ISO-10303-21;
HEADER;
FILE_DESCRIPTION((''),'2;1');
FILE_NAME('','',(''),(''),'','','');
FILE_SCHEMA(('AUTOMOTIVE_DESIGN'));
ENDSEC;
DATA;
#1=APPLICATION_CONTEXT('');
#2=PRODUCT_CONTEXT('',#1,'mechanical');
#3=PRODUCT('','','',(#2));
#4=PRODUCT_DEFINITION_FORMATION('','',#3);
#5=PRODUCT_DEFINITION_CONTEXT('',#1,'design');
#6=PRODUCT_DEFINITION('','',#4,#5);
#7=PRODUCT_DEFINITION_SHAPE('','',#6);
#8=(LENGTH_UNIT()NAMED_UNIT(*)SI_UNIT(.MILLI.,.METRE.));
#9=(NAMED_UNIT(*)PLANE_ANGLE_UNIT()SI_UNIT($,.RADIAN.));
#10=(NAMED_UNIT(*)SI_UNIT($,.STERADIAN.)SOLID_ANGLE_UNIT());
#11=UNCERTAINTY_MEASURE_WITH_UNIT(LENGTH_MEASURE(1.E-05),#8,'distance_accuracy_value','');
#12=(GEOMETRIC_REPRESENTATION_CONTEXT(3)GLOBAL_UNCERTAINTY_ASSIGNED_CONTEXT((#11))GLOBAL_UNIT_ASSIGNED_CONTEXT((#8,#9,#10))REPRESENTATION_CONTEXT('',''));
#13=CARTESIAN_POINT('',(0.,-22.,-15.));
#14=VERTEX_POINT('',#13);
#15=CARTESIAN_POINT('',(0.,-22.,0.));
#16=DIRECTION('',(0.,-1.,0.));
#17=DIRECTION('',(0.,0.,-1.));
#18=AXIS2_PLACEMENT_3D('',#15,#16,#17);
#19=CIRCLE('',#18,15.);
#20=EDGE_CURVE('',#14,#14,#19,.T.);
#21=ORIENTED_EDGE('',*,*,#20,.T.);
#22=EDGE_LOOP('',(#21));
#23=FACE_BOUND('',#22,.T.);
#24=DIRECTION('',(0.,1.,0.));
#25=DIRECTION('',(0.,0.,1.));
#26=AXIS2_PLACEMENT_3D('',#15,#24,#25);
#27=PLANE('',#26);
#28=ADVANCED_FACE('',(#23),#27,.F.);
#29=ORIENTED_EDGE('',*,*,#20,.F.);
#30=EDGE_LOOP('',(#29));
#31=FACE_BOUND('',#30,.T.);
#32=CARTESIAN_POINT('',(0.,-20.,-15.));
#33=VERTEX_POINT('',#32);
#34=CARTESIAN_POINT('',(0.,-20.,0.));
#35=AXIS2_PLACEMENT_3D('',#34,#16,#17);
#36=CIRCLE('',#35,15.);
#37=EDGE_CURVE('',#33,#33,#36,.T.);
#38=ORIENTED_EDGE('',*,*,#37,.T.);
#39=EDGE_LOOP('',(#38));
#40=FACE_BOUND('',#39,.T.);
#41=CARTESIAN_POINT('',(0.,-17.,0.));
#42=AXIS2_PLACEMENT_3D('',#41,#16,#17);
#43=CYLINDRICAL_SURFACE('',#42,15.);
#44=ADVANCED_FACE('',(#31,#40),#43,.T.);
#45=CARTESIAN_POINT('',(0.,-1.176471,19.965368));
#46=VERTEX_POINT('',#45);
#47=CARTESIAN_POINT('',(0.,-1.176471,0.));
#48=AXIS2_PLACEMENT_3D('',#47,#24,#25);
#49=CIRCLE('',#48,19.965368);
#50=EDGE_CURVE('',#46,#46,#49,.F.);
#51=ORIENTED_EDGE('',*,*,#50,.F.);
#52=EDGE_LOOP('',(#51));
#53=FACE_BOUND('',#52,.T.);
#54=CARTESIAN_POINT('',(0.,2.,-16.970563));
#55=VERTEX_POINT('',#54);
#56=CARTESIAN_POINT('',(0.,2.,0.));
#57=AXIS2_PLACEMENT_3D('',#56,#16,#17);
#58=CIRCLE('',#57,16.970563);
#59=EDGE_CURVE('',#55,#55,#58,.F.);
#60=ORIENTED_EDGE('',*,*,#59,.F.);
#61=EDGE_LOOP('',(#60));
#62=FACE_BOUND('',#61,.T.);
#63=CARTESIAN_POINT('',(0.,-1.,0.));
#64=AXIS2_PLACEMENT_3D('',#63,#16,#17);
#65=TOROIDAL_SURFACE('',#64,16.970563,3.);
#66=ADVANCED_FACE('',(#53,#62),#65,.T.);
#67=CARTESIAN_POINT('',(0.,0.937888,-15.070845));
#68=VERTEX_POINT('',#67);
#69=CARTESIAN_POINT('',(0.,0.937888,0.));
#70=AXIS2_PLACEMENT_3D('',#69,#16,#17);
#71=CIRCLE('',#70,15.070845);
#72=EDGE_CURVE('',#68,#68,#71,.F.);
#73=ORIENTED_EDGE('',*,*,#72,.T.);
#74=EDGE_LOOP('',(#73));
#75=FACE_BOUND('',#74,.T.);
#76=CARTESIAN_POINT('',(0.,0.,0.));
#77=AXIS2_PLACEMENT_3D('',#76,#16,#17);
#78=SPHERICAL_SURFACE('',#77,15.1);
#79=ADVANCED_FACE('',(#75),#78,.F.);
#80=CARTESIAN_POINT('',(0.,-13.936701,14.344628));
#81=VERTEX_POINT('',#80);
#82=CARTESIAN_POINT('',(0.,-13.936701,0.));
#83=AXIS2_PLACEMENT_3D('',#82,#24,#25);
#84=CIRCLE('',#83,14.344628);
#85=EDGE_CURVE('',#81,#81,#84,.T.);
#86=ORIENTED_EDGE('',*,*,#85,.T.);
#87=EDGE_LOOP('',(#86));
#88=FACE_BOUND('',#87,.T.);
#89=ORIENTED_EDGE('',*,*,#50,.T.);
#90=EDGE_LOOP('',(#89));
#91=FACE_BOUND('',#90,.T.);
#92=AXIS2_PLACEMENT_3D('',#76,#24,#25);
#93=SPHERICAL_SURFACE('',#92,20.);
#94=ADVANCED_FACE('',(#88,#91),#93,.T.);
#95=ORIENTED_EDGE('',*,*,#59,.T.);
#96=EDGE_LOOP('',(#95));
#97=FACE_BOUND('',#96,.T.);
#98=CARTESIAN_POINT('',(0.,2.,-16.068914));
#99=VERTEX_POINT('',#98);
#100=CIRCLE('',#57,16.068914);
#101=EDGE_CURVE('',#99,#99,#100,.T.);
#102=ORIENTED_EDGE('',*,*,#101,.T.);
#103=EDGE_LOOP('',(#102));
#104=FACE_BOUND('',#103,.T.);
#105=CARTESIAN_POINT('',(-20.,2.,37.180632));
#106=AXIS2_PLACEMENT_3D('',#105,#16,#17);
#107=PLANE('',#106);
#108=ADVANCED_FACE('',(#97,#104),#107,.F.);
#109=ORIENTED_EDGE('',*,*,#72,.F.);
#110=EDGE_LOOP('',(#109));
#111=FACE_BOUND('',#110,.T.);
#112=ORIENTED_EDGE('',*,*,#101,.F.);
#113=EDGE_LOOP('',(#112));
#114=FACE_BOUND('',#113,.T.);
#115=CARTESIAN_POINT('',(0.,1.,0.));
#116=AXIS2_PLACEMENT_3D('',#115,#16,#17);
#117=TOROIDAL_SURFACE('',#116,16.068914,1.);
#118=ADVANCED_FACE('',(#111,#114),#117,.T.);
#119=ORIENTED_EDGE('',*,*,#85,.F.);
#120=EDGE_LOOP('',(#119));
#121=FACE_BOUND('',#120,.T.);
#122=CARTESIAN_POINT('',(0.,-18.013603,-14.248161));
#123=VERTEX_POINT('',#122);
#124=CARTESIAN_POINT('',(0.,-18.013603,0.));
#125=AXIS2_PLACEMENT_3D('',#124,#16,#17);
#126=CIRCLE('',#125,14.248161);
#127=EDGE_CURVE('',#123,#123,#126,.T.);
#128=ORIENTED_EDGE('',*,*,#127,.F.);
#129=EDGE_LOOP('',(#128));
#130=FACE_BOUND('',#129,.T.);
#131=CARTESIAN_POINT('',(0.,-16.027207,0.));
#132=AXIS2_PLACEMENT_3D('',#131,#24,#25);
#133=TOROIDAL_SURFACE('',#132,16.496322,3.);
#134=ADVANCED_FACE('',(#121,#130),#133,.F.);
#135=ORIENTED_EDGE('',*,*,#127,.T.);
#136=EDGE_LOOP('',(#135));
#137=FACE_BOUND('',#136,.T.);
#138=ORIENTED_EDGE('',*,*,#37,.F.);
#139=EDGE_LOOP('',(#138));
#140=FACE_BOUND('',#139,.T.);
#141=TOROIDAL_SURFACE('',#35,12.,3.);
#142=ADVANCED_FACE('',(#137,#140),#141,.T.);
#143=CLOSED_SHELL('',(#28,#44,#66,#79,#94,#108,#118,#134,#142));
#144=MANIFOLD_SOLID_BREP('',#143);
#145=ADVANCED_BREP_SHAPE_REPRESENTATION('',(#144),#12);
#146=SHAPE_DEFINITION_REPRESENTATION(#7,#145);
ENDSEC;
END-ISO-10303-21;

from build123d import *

# Parameters (mm, degrees)
CUT_EXTRUDE_1_DEPTH      = 35.641016151
CUT_EXTRUDE_1_DEPTH_BACK = 35.641016151
SKETCH_2_W               = 73.47601024
SKETCH_2_H               = 33
FILLET_1_R               = 1
EXTRUDE_1_REACH          = 52.636
EXTRUDE_1_END_RADIUS     = 20
SKETCH_3_R               = 6
SKETCH_4_R               = 15
EXTRUDE_2_DEPTH          = 5
FILLET_3_R               = 3
FILLET_4_R               = 3
FILLET_5_R               = 3


with BuildPart() as part:
    # 草图1 → 旋转5 (revolve)
    with BuildSketch(Plane(origin=(0, 0, 0), x_dir=(1, 0, 0), z_dir=(0, 1, 0))):
        with BuildLine():
            Line((-15.1, 0), (-20, 0))
            ThreePointArc((-20, 0), (0, -20), (20, 0))
            Line((20, 0), (15.1, 0))
            ThreePointArc((15.1, 0), (0, -15.1), (-15.1, 0))
        make_face()
    revolve(axis=Axis((-24.083513492, 0, 0), (1, 0, 0)))

    # 草图2 → 切除-拉伸1 (cut, two sides: drawn at the far end of the back side and taken through both)
    with BuildSketch(Plane(origin=(0, 0, 0), x_dir=(0, 0, -1), z_dir=(1, 0, 0)).offset(-CUT_EXTRUDE_1_DEPTH_BACK)):
        with Locations((-0.442626568, 18.5)):
            Rectangle(SKETCH_2_W, SKETCH_2_H)
    extrude(amount=CUT_EXTRUDE_1_DEPTH + CUT_EXTRUDE_1_DEPTH_BACK, mode=Mode.SUBTRACT)

    # 圆角1
    fillet_1_edges = [part.edges().sort_by_distance(p)[0] for p in [
        (0, 2, 14.96696362),
    ]]
    fillet(fillet_1_edges, radius=FILLET_1_R)

    # 凸台-拉伸1: up to this sphere (the profile starts outside it)
    extrude_1_end = Location((0, 0, 0)) * Sphere(EXTRUDE_1_END_RADIUS, mode=Mode.PRIVATE)
    # 草图3 → 凸台-拉伸1 (add, up to the surface)
    with BuildSketch(Plane(origin=(0, -22, 0), x_dir=(1, 0, 0), z_dir=(0, 1, 0)), mode=Mode.PRIVATE) as extrude_1_sk1:
        with Locations(Location((0, 0, 0), (0, 0, 270))):
            Circle(SKETCH_3_R)
    extrude_1_tool1 = extrude(extrude_1_sk1.sketch, amount=EXTRUDE_1_REACH, mode=Mode.PRIVATE) - extrude_1_end
    add(extrude_1_tool1.solids().sort_by_distance((0, -22, 0))[0])

    # 草图4 → 凸台-拉伸2 (add)
    with BuildSketch(Plane(origin=(0, -22, 0), x_dir=(-1, 0, 0), z_dir=(0, -1, 0))):
        with Locations(Location((0, 0, 0), (0, 0, 90))):
            Circle(SKETCH_4_R)
    extrude(amount=-EXTRUDE_2_DEPTH)

    # 圆角3
    fillet_3_edges = [part.edges().sort_by_distance(p)[0] for p in [
        (0, 2, 19.899748742),
    ]]
    fillet(fillet_3_edges, radius=FILLET_3_R)

    # 圆角4
    fillet_4_edges = [part.edges().sort_by_distance(p)[0] for p in [
        (0, -17, 15),
    ]]
    fillet(fillet_4_edges, radius=FILLET_4_R)

    # 圆角5
    fillet_5_edges = [part.edges().sort_by_distance(p)[0] for p in [
        (0, -17, 10.535653753),
    ]]
    fillet(fillet_5_edges, radius=FILLET_5_R)


solid = part.part
